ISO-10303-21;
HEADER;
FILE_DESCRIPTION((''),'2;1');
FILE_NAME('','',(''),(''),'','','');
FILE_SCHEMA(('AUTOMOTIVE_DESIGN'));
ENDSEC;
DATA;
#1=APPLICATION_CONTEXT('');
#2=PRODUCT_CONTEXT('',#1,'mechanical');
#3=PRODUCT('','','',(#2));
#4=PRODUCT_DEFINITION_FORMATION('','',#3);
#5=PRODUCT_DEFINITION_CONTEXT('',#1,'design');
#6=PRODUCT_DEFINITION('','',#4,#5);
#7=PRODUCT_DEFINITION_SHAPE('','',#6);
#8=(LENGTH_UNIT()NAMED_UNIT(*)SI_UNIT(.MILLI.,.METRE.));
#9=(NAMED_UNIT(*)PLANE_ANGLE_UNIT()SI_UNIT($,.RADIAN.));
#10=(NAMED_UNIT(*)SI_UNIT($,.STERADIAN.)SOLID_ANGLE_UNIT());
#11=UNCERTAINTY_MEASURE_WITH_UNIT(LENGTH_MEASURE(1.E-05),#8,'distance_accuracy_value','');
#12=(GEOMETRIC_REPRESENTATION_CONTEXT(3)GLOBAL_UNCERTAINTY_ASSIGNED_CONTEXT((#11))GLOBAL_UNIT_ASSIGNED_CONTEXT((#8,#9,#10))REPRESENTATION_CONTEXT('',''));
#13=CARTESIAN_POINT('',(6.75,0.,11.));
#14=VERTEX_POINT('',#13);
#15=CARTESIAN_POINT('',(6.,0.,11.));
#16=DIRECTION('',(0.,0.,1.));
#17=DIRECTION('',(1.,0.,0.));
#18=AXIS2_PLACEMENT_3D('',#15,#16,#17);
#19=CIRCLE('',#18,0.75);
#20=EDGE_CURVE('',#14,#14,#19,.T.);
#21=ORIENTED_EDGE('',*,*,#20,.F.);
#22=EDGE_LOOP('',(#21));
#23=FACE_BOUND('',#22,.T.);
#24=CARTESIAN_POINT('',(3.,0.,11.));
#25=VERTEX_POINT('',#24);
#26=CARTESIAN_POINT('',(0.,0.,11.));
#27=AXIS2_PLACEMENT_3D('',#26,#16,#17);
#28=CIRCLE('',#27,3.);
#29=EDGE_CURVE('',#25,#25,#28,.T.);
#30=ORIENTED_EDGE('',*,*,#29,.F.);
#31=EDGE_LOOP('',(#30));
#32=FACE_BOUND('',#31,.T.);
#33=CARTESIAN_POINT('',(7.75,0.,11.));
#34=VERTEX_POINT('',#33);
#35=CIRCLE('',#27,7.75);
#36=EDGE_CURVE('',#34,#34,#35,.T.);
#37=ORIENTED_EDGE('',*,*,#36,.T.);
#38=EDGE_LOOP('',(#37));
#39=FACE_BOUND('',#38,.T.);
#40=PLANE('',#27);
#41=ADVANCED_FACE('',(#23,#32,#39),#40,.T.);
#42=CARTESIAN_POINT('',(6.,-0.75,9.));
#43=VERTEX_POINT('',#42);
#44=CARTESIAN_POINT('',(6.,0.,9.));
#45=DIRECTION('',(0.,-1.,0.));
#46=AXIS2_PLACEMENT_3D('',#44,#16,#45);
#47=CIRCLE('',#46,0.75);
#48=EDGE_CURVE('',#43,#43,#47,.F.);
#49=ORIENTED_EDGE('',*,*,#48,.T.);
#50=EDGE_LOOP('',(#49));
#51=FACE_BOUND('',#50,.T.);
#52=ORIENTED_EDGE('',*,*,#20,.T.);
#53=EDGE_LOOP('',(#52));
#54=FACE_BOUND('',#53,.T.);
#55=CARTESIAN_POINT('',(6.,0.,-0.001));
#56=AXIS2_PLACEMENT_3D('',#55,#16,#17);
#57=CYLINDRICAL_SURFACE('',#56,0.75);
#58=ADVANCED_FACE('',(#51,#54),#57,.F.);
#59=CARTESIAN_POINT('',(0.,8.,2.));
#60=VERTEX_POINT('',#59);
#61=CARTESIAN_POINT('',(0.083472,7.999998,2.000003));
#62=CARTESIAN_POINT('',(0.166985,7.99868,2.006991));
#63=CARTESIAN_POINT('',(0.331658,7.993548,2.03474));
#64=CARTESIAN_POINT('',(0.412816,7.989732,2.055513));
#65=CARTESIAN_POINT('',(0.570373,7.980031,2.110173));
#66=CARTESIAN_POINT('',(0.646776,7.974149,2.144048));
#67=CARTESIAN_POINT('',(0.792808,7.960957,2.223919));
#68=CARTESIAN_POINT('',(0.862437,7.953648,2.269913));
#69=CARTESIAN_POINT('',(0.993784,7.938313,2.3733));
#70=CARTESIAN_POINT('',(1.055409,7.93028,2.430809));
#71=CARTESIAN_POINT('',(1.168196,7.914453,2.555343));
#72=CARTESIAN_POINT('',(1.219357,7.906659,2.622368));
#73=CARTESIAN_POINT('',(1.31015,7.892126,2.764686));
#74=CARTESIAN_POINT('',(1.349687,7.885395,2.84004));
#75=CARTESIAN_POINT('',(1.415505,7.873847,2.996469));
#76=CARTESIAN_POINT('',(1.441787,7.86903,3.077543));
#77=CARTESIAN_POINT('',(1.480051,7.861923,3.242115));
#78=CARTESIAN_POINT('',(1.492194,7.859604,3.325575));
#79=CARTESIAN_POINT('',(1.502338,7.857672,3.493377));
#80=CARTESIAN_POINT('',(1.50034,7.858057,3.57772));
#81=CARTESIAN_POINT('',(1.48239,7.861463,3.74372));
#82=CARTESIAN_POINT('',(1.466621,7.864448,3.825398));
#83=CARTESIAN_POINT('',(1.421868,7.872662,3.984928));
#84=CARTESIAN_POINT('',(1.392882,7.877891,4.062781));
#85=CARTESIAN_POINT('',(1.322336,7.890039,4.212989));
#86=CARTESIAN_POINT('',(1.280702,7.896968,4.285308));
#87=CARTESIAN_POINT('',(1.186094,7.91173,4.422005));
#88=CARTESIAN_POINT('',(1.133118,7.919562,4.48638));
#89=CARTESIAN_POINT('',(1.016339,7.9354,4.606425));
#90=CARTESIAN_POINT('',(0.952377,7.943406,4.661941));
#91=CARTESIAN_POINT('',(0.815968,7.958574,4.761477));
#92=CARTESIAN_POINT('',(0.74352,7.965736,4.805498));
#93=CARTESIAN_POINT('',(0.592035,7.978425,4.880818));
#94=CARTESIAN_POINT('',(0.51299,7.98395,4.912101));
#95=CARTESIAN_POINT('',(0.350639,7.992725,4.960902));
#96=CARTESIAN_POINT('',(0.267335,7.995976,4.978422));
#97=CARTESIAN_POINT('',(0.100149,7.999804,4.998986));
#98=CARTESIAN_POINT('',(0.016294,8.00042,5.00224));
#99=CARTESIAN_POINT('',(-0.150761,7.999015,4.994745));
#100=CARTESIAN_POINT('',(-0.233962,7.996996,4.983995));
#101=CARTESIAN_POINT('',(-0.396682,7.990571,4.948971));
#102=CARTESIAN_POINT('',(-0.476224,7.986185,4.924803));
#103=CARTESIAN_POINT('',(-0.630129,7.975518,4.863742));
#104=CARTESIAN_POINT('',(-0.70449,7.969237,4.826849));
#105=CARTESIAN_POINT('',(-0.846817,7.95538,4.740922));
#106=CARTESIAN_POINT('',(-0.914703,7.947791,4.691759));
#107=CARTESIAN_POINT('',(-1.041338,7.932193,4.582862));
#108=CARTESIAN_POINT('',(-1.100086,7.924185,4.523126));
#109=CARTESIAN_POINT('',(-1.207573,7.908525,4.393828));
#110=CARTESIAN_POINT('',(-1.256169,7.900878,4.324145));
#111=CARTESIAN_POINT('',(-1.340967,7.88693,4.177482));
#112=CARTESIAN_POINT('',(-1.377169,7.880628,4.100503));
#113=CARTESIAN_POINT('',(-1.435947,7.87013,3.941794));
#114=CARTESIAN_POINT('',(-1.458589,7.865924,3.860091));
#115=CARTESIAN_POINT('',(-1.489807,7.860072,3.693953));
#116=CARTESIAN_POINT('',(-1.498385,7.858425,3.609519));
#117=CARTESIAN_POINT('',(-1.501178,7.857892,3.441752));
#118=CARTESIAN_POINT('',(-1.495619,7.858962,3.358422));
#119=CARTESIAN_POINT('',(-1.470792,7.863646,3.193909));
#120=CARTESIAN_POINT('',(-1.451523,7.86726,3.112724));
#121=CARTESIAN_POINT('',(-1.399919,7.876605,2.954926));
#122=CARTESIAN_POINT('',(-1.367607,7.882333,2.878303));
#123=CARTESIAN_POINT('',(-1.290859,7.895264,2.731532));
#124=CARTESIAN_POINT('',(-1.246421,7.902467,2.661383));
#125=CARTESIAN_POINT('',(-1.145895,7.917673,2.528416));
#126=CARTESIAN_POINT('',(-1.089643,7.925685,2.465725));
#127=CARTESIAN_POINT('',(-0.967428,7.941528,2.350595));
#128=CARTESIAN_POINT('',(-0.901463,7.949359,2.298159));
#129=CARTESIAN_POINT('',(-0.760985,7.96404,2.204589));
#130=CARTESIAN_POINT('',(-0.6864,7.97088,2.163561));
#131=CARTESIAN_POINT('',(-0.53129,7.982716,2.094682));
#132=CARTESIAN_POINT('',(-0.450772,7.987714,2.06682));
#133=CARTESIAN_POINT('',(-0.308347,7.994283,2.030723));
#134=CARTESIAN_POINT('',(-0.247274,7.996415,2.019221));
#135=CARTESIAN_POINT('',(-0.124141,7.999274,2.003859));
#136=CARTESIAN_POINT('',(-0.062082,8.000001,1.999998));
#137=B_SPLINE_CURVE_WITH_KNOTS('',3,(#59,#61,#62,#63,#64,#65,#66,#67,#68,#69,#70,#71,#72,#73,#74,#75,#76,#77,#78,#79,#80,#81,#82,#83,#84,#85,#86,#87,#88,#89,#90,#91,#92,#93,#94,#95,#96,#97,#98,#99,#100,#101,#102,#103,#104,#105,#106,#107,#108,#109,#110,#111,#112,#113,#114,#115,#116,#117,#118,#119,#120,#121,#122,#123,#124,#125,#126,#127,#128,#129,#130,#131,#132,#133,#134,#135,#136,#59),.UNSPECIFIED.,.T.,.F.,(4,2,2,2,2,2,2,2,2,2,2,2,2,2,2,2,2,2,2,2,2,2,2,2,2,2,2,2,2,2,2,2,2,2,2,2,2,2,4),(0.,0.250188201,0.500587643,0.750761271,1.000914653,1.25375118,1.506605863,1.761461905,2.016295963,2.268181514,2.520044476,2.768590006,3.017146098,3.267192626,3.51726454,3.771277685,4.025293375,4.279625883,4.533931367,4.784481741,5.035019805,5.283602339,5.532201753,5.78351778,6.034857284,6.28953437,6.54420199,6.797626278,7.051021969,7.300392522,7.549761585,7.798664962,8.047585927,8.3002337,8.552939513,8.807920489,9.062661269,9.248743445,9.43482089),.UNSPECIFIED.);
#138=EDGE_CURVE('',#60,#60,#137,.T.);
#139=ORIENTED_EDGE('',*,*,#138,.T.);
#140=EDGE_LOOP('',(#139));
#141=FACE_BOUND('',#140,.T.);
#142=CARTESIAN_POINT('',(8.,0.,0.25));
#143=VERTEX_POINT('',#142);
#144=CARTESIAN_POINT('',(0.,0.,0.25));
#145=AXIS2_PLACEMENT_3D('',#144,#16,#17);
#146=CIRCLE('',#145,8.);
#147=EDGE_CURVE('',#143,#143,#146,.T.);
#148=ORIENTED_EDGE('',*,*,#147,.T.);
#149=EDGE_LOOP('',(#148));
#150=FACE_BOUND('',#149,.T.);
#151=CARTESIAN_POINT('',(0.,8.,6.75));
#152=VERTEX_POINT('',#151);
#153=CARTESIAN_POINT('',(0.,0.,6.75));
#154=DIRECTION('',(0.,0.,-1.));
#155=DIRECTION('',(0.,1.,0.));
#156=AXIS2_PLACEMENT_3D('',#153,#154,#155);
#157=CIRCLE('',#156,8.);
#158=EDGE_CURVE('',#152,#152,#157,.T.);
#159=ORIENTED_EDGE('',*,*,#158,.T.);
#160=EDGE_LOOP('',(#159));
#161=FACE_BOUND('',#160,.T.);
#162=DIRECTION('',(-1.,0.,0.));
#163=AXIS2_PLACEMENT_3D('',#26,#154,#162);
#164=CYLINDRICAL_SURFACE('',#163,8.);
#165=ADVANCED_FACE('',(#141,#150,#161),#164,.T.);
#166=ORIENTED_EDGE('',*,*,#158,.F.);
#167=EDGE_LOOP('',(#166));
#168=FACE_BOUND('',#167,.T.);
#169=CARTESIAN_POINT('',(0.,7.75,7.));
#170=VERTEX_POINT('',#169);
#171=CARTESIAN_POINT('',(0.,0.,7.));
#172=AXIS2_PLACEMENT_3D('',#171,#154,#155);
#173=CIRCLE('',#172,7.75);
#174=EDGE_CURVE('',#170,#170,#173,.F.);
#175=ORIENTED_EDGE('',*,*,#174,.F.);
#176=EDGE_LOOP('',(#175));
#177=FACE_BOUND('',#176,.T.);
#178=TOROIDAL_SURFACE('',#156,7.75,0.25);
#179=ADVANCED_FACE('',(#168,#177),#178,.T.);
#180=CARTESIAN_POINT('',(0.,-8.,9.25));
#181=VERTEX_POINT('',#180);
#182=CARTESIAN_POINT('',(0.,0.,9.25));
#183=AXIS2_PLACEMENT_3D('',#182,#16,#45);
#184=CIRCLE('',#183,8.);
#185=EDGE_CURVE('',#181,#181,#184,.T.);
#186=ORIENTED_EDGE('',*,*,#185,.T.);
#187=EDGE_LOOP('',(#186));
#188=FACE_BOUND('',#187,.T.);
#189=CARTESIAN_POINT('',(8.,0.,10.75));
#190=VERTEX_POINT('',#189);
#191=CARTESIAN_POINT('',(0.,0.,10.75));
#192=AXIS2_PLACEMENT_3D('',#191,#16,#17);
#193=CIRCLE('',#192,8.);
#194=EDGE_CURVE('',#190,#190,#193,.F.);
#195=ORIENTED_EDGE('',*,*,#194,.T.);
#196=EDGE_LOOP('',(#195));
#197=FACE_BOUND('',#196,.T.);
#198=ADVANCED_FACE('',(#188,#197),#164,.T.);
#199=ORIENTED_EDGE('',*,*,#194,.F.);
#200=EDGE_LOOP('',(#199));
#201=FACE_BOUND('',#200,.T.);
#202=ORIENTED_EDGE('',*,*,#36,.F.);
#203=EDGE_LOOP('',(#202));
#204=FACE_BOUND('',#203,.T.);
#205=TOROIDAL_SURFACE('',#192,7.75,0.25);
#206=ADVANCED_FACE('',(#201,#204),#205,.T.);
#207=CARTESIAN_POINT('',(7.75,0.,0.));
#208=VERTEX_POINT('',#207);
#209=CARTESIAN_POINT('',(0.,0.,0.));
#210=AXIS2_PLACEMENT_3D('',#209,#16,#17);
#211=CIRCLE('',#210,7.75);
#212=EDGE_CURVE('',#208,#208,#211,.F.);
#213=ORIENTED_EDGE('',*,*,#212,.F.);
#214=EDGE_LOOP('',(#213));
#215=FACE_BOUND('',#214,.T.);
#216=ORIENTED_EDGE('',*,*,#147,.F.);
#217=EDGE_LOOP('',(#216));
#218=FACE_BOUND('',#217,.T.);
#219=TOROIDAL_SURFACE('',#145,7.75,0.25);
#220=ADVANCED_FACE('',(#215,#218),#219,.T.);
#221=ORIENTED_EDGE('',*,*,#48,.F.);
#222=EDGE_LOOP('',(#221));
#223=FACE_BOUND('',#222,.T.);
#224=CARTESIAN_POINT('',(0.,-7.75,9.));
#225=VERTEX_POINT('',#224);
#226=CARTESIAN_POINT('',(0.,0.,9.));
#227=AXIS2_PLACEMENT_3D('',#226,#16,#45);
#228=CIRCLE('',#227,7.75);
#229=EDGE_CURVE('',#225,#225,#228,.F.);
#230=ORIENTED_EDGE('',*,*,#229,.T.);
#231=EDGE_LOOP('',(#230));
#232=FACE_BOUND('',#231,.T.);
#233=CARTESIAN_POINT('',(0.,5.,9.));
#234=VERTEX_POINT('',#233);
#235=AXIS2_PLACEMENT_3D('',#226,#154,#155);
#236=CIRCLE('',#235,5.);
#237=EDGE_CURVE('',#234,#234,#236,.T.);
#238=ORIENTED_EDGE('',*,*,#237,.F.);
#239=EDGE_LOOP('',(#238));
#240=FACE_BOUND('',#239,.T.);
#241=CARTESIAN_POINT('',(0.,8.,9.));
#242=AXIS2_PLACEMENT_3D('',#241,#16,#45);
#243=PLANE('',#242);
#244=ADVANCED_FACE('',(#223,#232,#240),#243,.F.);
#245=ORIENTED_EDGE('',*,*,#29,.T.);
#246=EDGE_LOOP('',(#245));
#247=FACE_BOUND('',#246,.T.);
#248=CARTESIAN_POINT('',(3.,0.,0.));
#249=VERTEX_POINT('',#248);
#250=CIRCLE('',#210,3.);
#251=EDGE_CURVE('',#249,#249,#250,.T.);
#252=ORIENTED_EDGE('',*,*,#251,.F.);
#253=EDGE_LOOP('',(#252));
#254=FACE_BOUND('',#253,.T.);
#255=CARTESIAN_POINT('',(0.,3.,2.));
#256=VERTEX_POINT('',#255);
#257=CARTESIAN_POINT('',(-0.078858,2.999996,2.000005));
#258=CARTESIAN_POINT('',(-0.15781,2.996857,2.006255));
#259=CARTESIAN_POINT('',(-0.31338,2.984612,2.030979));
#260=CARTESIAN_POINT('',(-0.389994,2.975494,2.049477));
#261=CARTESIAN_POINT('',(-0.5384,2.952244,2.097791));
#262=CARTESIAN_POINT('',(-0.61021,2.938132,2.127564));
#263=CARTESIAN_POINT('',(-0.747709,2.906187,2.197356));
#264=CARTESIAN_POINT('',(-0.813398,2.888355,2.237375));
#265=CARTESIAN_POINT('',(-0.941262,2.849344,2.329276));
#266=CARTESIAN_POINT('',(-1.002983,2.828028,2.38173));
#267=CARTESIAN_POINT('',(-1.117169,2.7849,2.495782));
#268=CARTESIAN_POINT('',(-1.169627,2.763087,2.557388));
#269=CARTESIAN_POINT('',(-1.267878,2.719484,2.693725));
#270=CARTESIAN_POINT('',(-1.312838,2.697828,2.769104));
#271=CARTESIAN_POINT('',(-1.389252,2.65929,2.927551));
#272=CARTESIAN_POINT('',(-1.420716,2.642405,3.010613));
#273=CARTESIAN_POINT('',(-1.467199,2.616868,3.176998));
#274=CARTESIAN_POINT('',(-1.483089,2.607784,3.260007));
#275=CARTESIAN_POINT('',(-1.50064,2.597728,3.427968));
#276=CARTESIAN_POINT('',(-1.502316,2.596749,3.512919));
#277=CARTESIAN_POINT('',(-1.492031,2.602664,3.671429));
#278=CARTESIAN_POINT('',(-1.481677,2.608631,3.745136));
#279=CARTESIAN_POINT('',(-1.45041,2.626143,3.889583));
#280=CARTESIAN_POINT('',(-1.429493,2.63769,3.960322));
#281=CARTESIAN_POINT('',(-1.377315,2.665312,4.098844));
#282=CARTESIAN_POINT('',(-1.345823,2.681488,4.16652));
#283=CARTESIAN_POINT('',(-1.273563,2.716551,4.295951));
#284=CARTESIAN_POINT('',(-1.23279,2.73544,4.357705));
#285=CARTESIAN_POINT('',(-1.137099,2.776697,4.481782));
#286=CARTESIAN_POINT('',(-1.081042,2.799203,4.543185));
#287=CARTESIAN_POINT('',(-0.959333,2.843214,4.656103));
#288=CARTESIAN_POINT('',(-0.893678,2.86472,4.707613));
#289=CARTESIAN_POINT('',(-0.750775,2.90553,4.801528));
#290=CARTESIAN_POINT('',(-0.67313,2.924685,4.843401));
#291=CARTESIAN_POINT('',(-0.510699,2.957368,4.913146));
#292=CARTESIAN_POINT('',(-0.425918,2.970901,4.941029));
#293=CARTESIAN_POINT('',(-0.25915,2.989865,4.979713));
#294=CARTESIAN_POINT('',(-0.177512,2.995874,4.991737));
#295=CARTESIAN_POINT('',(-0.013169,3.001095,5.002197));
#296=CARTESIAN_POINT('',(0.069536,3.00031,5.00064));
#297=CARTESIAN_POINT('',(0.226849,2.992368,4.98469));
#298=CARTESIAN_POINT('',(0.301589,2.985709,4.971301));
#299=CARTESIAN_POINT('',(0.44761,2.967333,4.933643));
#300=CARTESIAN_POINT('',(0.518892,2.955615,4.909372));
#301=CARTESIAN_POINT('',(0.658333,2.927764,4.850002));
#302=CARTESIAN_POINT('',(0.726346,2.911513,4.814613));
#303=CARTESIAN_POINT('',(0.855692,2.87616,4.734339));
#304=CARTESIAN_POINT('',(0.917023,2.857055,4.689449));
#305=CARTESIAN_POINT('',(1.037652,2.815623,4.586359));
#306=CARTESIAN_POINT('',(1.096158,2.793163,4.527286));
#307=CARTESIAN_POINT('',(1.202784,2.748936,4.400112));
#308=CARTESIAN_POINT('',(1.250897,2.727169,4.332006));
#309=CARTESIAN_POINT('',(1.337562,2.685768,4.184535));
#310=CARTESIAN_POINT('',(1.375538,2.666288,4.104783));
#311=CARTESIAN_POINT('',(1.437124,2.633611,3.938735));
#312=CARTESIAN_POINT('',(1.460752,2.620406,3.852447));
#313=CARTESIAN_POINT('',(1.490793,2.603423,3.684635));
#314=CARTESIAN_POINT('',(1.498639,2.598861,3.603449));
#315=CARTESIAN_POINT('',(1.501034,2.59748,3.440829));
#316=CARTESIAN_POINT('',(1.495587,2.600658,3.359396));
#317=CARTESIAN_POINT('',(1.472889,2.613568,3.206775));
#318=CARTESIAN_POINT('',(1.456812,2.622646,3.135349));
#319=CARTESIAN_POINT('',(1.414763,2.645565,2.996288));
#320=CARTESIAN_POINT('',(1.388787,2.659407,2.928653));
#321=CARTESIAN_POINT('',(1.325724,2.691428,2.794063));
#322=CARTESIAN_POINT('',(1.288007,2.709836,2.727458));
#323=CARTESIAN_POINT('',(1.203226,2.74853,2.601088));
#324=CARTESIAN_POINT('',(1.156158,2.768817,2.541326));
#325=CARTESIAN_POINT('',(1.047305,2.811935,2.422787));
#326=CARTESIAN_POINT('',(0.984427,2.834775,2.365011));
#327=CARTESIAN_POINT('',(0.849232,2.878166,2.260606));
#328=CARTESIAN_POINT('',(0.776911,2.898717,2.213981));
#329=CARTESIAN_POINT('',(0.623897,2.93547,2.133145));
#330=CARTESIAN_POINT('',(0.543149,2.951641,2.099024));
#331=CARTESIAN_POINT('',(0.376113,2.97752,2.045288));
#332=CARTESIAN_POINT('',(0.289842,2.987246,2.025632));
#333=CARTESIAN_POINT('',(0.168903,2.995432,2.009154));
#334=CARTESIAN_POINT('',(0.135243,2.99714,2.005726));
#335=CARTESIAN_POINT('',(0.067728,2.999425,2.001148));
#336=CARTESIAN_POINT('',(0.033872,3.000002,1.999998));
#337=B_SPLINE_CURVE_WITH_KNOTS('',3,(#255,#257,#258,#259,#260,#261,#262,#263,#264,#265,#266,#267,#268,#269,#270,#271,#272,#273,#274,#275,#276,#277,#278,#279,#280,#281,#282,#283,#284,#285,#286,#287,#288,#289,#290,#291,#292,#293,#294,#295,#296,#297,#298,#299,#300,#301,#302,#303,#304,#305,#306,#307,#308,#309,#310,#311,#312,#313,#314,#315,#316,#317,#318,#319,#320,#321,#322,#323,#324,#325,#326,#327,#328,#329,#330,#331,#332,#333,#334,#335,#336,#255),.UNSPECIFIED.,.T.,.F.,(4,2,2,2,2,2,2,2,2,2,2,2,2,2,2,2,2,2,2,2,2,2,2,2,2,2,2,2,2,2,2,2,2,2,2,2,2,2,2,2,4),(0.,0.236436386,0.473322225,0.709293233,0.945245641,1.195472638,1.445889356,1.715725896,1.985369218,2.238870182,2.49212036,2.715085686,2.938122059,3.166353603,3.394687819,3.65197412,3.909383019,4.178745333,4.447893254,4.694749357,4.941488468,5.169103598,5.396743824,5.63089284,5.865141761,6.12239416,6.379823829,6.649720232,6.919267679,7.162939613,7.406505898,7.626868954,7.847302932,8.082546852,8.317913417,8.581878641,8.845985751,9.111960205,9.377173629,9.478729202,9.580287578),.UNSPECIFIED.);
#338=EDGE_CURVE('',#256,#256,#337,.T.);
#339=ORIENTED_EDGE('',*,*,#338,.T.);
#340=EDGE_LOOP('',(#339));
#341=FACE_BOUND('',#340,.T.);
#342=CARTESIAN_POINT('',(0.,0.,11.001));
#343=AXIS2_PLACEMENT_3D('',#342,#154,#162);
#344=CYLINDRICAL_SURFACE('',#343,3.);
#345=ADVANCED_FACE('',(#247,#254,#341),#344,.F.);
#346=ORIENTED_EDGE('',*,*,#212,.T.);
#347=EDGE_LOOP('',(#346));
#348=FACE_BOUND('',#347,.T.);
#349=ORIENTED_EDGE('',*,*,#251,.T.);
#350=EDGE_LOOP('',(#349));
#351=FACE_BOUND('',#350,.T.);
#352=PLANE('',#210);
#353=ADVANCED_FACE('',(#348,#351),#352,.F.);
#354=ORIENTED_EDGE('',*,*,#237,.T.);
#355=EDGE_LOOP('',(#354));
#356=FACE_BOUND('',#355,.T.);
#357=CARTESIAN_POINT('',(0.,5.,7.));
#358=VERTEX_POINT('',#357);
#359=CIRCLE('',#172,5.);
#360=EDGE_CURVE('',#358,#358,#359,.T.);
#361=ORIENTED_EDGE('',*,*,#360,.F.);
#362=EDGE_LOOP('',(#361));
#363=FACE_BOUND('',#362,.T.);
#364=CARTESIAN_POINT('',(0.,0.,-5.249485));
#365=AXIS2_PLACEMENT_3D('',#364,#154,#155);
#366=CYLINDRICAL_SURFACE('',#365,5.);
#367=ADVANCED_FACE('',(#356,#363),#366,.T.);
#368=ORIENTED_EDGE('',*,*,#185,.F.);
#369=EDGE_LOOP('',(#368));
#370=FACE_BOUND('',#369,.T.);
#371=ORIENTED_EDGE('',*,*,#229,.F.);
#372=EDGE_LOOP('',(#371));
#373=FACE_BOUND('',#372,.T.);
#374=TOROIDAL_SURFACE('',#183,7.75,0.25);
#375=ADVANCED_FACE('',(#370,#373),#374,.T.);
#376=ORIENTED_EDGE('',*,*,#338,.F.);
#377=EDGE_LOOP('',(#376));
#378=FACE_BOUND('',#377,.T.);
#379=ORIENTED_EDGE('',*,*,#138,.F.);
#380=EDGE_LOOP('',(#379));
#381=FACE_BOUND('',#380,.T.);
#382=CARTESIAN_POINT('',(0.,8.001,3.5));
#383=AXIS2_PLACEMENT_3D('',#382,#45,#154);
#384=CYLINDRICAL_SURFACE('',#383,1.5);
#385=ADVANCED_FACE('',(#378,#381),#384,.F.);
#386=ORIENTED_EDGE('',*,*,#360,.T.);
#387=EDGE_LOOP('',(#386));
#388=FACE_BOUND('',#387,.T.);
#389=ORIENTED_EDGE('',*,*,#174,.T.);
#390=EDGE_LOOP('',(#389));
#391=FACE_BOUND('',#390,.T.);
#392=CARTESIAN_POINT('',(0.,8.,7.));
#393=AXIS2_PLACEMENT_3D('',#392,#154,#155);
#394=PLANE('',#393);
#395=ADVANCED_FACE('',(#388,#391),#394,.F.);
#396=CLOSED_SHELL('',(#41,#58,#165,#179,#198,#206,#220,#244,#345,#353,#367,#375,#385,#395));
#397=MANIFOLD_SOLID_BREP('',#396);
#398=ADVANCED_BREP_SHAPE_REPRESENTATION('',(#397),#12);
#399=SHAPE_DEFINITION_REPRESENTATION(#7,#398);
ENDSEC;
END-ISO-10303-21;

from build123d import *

# Parameters (mm, degrees)
SKETCH1_R           = 8
BOSS_EXTRUDE1_DEPTH = 11
SKETCH2_W           = 2
SKETCH2_H           = 3
CUT_EXTRUDE1_REACH  = 12.5
CUT_EXTRUDE1_START  = 2.5
SKETCH5_R           = 1.5
CUT_EXTRUDE2_REACH  = 13
SKETCH6_R           = 3
FILLET3_R           = 0.25
FILLET4_R           = 0.25
FILLET5_R           = 0.25
CUT_EXTRUDE3_REACH  = 13
SKETCH7_R           = 0.75


with BuildPart() as part:
    # Sketch1 → Boss-Extrude1 (new body)
    with BuildSketch(Plane.XY):
        Circle(SKETCH1_R)
    extrude(amount=BOSS_EXTRUDE1_DEPTH)

    # Sketch2 → Cut-Revolve2 (revolve, cut)
    with BuildSketch(Plane(origin=(0, 0, 0), x_dir=(0, 0, -1), z_dir=(1, 0, 0))):
        with Locations((-8, 6.5)):
            Rectangle(SKETCH2_W, SKETCH2_H)
    revolve(axis=Axis((0, 0, -5.249485175), (0, 0, 1)), mode=Mode.SUBTRACT)

    # Sketch5 → Cut-Extrude1 (cut, up to next)
    with BuildSketch(Plane(origin=(0, 0, 0), x_dir=(1, 0, 0), z_dir=(0, 1, 0)).offset(CUT_EXTRUDE1_START), mode=Mode.PRIVATE) as cut_extrude1_sk1:
        with Locations((0, -3.5)):
            Circle(SKETCH5_R)
    cut_extrude1_tool1 = extrude(cut_extrude1_sk1.sketch, amount=CUT_EXTRUDE1_REACH, mode=Mode.PRIVATE) & part.part
    add(cut_extrude1_tool1.solids().sort_by_distance((0, 2.5, 3.5))[0], mode=Mode.SUBTRACT)

    # Sketch6 → Cut-Extrude2 (cut, up to next)
    with BuildSketch(Plane.XY, mode=Mode.PRIVATE) as cut_extrude2_sk1:
        Circle(SKETCH6_R)
    cut_extrude2_tool1 = extrude(cut_extrude2_sk1.sketch, amount=CUT_EXTRUDE2_REACH, mode=Mode.PRIVATE) & part.part
    add(cut_extrude2_tool1.solids().sort_by_distance((0, 0, 0))[0], mode=Mode.SUBTRACT)

    # Fillet3
    fillet3_edges = [part.edges().sort_by_distance(p)[0] for p in [
        (-8, 0, 9),
    ]]
    fillet(fillet3_edges, radius=FILLET3_R)

    # Fillet4
    fillet4_edges = [part.edges().sort_by_distance(p)[0] for p in [
        (-8, 0, 7),
    ]]
    fillet(fillet4_edges, radius=FILLET4_R)

    # Fillet5
    fillet5_edges = [part.edges().sort_by_distance(p)[0] for p in [
        (-8, 0, 0),
        (-8, 0, 11),
    ]]
    fillet(fillet5_edges, radius=FILLET5_R)

    # Sketch7 → Cut-Extrude3 (cut, up to next)
    with BuildSketch(Plane.XY.offset(11), mode=Mode.PRIVATE) as cut_extrude3_sk1:
        with Locations((6, 0)):
            Circle(SKETCH7_R)
    cut_extrude3_tool1 = extrude(cut_extrude3_sk1.sketch, amount=-CUT_EXTRUDE3_REACH, mode=Mode.PRIVATE) & part.part
    add(cut_extrude3_tool1.solids().sort_by_distance((6, 0, 11))[0], mode=Mode.SUBTRACT)


solid = part.part
